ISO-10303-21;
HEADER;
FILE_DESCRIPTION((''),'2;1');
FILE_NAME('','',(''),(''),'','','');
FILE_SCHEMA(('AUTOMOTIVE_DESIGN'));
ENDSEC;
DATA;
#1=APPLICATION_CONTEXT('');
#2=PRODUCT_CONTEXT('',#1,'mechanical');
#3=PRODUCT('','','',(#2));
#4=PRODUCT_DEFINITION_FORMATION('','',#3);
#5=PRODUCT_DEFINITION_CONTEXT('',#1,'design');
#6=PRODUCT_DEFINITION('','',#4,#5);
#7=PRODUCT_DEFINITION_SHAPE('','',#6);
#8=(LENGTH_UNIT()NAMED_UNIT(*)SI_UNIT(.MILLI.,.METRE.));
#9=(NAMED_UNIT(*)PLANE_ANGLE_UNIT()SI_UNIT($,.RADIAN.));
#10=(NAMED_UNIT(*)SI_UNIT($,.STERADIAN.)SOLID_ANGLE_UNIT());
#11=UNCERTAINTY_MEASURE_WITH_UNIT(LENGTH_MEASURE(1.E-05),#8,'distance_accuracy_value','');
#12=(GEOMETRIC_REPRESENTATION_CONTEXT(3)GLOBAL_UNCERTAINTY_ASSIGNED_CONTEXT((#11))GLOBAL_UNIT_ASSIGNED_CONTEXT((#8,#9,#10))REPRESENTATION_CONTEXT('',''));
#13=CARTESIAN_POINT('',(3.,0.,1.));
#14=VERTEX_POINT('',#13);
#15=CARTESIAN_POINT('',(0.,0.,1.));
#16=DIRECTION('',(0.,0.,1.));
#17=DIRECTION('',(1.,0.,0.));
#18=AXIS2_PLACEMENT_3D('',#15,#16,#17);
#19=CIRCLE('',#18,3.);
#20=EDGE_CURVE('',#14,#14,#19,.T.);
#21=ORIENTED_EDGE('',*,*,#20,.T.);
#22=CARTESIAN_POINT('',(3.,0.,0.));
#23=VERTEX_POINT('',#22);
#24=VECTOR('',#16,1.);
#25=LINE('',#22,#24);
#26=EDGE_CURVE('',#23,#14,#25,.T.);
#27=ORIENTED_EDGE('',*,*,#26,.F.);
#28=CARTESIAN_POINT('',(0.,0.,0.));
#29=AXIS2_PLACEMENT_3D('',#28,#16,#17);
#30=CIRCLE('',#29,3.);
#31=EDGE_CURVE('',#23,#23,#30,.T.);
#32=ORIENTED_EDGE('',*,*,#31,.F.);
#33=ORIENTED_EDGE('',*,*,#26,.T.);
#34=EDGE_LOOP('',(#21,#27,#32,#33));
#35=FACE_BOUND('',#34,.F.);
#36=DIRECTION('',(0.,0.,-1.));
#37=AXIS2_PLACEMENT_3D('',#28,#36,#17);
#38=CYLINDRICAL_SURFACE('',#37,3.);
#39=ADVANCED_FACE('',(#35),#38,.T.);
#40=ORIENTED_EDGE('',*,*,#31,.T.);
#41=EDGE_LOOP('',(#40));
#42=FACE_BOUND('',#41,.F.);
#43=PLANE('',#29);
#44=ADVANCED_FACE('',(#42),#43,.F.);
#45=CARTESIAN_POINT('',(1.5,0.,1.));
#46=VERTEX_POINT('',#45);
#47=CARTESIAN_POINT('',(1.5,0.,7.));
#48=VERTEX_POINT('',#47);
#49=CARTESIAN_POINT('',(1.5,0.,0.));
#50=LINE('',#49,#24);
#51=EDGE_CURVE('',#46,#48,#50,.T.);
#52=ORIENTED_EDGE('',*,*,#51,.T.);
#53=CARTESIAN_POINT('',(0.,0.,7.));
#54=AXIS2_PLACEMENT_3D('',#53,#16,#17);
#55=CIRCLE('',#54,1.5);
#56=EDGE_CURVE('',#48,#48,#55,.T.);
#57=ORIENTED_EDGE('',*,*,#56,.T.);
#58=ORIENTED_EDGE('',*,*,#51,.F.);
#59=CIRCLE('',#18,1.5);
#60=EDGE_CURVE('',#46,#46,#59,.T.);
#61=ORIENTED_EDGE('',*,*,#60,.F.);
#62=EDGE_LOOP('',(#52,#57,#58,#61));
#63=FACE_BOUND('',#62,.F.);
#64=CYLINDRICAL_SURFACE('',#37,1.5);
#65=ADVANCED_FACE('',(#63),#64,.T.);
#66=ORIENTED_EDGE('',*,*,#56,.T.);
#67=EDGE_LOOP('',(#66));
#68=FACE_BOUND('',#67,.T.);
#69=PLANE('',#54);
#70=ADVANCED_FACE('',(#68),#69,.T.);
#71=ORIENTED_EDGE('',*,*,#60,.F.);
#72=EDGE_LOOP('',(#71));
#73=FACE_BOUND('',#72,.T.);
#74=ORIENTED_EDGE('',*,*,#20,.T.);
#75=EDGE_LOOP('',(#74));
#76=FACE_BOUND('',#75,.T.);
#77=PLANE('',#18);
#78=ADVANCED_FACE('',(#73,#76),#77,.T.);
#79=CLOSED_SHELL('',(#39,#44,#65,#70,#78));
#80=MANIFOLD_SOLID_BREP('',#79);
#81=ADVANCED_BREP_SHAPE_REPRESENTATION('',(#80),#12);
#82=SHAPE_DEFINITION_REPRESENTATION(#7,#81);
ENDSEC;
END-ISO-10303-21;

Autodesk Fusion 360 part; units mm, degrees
sketch "Sketch1" plane through (0, 0, 0) normal (0, 0, 1) x (1, 0, 0)
  circle A0 centre (0, 0) radius 3
  circle A1 centre (0, 0) radius 1.5
  dimension "d1" = 6
  dimension "d2" = 3
extrude "Extrude1" add sketch "Sketch1" along normal blind 1
extrude "Extrude2" add sketch "Sketch1" along normal blind 7 contours A1
move_face "OffsetFaces1" [suppressed]
